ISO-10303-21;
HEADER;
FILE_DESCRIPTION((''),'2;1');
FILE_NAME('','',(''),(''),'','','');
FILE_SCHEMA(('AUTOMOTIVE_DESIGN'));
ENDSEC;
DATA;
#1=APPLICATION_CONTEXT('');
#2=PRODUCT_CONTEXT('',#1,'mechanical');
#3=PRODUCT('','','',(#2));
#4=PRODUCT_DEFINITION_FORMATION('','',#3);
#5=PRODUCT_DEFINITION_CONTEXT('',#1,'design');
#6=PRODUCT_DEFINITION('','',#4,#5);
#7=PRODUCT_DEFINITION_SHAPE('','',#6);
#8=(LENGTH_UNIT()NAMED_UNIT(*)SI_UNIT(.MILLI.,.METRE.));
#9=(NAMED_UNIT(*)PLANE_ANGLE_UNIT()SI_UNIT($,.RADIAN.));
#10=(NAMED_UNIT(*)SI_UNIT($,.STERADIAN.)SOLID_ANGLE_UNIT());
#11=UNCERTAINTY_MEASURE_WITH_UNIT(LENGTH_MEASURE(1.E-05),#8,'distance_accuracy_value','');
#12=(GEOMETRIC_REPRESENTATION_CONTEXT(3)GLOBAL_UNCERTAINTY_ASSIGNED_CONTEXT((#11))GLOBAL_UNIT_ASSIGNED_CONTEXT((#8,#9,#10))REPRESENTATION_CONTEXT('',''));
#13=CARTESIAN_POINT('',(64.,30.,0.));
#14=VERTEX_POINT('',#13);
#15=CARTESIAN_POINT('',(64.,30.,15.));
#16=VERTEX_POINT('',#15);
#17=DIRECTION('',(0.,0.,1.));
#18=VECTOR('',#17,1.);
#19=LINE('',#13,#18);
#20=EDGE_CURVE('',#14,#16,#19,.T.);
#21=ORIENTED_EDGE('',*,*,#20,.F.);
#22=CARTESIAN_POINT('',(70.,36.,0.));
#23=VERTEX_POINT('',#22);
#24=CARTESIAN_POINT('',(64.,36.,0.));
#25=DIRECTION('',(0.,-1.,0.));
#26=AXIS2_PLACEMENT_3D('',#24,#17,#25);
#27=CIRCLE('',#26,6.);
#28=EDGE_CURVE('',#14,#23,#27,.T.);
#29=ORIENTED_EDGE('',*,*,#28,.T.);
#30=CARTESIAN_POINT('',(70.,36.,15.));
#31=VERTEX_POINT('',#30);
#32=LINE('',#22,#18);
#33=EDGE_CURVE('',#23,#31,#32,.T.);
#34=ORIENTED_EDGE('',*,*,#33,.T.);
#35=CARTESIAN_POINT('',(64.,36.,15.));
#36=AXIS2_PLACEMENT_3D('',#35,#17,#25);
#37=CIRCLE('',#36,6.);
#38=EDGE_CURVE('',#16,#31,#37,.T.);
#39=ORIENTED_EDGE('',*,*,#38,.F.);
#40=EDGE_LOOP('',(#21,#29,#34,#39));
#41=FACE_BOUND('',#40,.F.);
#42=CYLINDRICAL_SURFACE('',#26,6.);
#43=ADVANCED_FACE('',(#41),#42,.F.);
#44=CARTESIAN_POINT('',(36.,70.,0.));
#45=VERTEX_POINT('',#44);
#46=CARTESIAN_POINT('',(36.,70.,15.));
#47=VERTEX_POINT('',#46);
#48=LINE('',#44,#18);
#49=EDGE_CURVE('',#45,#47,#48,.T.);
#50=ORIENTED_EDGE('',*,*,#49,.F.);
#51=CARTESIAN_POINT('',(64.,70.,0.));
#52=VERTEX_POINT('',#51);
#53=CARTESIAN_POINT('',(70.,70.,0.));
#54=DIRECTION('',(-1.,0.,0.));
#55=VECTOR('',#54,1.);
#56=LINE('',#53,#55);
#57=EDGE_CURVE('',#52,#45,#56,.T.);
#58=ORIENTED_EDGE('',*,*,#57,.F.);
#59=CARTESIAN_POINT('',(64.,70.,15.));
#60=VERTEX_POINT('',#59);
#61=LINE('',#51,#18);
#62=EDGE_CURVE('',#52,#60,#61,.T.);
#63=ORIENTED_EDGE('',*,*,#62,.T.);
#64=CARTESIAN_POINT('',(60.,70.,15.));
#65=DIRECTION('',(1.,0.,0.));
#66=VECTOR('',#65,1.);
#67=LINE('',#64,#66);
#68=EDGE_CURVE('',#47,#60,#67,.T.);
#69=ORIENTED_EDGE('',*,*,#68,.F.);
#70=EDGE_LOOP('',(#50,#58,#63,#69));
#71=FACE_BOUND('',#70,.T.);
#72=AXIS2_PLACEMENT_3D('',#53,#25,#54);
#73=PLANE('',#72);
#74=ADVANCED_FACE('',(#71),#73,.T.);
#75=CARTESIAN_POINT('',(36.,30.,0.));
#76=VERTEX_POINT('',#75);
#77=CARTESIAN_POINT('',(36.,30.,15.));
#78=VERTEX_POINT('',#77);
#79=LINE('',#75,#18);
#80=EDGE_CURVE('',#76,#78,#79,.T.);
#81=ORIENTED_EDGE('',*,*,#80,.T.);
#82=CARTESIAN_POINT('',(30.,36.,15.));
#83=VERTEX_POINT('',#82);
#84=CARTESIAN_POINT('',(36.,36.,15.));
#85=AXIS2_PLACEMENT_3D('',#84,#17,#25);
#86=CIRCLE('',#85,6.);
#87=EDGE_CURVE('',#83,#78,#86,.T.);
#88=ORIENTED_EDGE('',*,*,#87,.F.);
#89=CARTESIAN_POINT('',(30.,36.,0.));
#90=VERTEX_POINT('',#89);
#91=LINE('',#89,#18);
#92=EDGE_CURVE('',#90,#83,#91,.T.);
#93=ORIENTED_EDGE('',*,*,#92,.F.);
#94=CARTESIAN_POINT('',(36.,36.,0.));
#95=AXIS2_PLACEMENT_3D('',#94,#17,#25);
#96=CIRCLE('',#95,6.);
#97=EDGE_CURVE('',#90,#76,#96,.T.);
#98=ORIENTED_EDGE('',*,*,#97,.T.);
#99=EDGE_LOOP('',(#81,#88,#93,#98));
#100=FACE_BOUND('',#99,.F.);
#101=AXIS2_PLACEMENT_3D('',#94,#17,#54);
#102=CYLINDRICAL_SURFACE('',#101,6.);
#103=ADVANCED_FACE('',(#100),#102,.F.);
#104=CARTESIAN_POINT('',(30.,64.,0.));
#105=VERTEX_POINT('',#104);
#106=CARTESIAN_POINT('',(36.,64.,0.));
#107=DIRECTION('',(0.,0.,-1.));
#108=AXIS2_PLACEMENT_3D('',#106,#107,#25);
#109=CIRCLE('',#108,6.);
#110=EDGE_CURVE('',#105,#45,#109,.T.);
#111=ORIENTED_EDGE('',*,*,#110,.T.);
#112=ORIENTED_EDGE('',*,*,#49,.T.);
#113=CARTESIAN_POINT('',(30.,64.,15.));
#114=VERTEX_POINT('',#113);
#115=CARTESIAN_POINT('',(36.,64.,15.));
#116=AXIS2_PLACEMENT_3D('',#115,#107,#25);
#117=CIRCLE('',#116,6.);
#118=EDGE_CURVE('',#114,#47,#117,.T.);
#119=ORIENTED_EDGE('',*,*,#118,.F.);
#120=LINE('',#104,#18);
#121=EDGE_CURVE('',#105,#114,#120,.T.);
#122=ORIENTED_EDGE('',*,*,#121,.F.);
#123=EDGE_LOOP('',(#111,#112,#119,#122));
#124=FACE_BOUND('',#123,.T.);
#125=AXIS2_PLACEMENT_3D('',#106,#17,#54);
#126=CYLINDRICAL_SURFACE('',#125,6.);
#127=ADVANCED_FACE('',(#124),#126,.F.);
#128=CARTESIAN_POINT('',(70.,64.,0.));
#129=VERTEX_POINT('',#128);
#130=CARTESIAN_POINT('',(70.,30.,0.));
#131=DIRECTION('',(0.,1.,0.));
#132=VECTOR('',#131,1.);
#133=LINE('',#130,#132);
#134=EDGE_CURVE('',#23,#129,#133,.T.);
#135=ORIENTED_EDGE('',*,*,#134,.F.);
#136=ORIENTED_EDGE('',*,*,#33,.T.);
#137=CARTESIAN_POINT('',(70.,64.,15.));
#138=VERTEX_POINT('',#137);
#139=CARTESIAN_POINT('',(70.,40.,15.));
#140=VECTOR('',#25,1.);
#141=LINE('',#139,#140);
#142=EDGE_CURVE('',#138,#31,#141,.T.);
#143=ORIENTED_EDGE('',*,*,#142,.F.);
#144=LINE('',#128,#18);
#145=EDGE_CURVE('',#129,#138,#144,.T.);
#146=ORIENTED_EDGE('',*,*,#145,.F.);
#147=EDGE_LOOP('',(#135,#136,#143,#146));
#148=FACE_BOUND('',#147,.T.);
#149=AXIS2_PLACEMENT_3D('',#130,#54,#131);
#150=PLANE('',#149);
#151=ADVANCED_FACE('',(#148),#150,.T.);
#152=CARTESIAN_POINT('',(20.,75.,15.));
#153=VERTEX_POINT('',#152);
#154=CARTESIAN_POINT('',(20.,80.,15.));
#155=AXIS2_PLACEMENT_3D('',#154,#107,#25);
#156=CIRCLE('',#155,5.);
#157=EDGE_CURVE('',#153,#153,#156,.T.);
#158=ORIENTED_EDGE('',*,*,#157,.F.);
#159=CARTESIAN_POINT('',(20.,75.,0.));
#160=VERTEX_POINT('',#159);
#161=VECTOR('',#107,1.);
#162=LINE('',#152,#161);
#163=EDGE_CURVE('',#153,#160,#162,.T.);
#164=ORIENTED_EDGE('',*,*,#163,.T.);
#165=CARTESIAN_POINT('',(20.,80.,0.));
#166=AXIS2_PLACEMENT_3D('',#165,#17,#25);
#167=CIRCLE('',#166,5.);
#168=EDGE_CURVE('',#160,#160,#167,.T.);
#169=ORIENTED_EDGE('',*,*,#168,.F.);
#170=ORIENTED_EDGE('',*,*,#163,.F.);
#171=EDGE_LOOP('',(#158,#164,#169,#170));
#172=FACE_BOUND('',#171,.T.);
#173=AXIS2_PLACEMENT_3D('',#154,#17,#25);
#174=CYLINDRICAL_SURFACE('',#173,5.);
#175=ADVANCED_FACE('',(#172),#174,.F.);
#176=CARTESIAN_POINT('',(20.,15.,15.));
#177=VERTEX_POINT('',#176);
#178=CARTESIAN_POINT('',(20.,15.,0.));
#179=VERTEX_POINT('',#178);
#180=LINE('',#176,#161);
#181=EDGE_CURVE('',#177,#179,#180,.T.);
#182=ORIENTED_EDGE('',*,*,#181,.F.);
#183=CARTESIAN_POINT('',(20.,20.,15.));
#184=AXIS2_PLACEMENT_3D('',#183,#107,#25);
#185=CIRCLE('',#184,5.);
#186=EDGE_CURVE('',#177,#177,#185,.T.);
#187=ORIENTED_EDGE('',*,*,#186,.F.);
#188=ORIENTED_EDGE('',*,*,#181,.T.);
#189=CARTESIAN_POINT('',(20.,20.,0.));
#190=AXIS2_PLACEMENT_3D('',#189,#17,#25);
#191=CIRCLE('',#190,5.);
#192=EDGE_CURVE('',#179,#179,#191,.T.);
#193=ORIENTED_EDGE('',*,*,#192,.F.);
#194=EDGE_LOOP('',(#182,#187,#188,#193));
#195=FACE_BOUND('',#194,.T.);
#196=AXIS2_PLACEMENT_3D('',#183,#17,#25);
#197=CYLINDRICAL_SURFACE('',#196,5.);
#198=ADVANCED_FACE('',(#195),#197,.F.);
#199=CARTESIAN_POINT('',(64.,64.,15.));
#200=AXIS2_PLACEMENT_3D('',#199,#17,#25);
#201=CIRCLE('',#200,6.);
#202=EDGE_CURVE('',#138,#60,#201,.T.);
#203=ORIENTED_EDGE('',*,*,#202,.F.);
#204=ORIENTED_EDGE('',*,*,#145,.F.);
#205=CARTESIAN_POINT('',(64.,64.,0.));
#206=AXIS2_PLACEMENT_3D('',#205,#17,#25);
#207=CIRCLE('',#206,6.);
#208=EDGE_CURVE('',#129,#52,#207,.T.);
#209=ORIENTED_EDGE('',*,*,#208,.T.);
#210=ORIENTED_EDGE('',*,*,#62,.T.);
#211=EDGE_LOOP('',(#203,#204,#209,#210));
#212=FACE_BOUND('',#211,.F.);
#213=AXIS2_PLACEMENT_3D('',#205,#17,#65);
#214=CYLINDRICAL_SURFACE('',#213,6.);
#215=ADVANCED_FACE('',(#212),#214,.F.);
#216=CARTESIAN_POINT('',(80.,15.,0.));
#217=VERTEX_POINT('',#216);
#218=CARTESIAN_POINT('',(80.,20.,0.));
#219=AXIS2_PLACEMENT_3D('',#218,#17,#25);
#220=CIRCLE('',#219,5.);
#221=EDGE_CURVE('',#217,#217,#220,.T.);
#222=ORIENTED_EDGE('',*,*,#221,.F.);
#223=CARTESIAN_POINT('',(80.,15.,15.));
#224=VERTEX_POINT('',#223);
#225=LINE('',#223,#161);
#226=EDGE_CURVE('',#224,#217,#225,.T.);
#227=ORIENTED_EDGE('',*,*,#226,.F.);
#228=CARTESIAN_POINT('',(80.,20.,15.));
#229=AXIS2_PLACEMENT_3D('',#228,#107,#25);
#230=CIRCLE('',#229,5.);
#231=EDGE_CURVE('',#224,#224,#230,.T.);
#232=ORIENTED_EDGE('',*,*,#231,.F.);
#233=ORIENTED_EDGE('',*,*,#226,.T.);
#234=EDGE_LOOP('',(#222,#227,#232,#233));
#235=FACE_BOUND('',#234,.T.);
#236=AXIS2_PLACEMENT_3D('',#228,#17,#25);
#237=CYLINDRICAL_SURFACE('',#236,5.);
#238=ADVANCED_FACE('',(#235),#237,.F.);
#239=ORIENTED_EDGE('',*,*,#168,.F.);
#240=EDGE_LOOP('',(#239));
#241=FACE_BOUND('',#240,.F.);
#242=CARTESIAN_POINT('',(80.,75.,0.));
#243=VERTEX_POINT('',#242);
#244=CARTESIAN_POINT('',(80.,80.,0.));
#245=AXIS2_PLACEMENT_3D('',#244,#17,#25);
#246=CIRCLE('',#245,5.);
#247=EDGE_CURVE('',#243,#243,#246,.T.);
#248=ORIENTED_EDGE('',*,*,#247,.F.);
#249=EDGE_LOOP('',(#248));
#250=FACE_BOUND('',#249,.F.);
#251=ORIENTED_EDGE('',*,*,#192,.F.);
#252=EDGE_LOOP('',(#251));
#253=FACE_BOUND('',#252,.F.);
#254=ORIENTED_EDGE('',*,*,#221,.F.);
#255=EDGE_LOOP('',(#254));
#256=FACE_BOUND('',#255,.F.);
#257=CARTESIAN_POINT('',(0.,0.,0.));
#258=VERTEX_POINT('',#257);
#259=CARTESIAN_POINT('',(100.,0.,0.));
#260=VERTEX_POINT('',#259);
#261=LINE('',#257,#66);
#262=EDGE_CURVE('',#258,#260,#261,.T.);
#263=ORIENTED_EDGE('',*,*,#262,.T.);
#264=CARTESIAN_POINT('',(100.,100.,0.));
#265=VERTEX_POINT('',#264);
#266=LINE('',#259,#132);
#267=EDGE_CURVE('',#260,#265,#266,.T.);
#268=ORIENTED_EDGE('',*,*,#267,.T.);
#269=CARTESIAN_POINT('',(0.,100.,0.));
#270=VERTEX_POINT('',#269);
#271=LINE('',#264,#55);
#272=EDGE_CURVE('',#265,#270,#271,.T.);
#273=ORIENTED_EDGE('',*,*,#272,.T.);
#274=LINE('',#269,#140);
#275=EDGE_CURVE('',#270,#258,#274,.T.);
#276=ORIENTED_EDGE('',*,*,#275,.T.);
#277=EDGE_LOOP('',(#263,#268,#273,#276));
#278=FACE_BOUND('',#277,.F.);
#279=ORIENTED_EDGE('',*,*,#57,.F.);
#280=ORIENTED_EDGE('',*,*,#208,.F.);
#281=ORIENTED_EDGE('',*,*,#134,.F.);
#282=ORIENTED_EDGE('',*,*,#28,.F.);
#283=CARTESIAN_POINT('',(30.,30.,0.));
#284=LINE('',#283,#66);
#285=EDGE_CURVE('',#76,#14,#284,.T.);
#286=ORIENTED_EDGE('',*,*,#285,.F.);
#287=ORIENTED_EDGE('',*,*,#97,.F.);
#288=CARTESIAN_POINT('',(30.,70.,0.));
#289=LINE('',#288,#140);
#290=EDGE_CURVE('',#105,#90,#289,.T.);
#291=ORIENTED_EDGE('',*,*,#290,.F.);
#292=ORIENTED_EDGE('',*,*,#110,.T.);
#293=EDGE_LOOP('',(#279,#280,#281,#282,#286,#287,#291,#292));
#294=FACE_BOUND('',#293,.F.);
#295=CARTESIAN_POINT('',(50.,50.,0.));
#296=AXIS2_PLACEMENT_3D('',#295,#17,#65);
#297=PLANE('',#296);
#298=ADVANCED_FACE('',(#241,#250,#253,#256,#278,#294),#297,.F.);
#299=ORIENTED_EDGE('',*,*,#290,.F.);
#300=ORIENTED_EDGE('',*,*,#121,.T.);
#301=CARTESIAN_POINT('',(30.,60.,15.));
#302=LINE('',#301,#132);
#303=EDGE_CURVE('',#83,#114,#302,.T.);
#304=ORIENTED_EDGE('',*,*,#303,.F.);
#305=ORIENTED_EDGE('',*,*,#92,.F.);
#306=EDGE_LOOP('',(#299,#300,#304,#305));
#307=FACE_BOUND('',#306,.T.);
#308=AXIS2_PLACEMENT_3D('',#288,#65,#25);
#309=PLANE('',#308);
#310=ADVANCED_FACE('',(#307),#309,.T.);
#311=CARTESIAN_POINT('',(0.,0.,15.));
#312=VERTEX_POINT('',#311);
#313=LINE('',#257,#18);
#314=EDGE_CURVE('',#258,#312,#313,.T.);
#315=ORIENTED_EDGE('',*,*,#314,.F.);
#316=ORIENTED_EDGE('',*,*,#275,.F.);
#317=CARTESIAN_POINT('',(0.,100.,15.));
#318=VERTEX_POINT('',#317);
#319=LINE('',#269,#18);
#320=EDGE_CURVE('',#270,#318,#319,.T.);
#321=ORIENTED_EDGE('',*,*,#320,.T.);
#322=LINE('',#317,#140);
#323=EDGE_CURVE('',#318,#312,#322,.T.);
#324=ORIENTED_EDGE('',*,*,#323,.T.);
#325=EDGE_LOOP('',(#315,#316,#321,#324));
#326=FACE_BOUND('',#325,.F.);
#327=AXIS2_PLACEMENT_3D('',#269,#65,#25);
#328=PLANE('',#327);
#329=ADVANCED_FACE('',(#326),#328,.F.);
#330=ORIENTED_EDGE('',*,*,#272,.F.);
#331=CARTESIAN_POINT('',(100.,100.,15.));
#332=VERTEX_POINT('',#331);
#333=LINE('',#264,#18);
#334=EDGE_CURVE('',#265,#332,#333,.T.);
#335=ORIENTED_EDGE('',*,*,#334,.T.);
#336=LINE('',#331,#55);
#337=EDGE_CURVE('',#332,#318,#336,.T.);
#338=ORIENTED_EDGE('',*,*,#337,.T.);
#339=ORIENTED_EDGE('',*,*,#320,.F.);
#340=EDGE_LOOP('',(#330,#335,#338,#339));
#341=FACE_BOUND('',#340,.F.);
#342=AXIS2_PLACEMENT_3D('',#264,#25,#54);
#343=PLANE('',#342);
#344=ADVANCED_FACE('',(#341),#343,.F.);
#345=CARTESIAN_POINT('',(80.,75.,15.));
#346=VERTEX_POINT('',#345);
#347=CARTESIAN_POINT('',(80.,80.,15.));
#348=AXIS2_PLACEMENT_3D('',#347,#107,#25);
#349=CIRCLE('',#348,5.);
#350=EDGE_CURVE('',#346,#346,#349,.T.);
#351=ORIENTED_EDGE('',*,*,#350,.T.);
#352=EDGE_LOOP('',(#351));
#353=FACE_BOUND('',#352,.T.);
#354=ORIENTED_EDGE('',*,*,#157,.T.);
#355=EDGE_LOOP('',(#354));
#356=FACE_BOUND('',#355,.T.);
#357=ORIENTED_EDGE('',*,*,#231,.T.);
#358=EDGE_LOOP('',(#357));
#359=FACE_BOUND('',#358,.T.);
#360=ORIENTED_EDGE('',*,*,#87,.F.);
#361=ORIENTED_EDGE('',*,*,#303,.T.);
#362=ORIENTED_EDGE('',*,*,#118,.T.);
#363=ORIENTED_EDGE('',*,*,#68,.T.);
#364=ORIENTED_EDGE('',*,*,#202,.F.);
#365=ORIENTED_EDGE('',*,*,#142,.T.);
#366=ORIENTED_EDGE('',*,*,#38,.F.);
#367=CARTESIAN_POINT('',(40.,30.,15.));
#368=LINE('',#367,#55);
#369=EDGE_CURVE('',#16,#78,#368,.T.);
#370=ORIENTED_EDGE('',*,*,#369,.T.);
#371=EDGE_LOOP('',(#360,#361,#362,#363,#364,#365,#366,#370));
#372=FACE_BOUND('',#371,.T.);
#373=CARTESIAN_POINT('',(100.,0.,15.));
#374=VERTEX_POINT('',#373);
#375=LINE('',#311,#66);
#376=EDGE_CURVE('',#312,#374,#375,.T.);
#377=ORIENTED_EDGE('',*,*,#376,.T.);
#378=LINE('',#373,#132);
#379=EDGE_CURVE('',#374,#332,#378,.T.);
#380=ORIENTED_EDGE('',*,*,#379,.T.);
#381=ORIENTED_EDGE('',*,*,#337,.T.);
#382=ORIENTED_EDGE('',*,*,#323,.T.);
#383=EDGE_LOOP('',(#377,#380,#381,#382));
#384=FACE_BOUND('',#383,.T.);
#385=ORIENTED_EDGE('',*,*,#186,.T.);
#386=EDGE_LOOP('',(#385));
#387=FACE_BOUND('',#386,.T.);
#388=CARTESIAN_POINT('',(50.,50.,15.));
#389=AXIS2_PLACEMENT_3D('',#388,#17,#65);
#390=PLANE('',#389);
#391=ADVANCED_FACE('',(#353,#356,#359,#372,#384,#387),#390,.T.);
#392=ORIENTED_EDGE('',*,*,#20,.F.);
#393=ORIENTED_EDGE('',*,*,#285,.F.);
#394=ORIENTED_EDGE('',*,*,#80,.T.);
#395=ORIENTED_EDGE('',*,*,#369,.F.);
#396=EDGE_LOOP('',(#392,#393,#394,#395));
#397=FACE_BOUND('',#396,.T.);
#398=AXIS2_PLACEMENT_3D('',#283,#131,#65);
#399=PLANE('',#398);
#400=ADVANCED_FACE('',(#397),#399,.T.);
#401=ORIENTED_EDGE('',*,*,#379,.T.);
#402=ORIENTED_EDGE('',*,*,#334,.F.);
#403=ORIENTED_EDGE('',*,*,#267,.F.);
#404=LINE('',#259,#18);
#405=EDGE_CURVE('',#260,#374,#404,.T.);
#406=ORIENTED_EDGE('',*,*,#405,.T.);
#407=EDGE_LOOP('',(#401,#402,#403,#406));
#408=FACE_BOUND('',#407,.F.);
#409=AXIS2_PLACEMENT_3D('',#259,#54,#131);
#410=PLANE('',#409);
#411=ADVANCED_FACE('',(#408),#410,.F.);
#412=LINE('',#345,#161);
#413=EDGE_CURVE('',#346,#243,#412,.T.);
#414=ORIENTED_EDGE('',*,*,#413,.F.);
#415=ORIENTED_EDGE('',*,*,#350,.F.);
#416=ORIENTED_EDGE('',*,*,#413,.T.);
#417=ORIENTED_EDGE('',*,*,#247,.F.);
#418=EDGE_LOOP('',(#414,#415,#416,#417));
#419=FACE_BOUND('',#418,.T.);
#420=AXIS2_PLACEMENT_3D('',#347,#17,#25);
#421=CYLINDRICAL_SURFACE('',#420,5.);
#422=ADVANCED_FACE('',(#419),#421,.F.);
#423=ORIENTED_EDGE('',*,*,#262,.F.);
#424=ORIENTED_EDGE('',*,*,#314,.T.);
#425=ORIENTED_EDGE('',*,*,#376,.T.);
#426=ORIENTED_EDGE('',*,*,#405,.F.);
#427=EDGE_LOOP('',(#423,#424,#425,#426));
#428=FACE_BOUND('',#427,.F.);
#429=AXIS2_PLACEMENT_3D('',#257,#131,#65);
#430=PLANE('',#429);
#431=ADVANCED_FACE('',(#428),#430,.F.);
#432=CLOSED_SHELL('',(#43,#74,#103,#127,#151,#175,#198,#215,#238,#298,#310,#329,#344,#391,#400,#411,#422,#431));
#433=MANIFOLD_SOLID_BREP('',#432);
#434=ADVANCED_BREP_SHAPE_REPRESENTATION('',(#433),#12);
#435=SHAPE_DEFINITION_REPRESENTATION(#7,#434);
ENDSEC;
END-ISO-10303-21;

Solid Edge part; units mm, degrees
sketch "Sketch1" plane through (0, 0, 0) normal (0, 0, 1) x (1, 0, 0)
  line L0 (0, 0) -> (100, 0)
  line L1 (100, 0) -> (100, 100)
  line L2 (100, 100) -> (0, 100)
  line L3 (0, 100) -> (0, 0)
extrude "Protrusion1" add sketch "Sketch1" along normal blind 15
hole "Hole_1" at (80, 80, 15) direction (0, 0, -1) diameter 10 end through all
hole "Hole1" at (80, 20, 15) direction (0, 0, -1) diameter 10 end through all
hole "Hole2" at (20, 20, 15) direction (0, 0, -1) diameter 10 end through all
hole "Hole3" at (20, 80, 15) direction (0, 0, -1) diameter 10 end through all
sketch "Sketch2" plane through (50, 50, 0) normal (0, 0, -1) x (0, -1, 0)
  line L0 (-20, 20) -> (20, 20)
  line L1 (20, 20) -> (20, -20)
  line L2 (20, -20) -> (-20, -20)
  line L3 (-20, -20) -> (-20, 20)
  dimension "D1" = 30
  dimension "D2" = 30
  dimension "D3" = 30
  dimension "D4" = 30
extrude "Cutout1" cut sketch "Sketch2" against normal through all
fillet "Round_2" radius 6 4 edges at (30, 70, 7.5) (70, 70, 7.5) (70, 30, 7.5) (30, 30, 7.5)
properties part number "1000"
